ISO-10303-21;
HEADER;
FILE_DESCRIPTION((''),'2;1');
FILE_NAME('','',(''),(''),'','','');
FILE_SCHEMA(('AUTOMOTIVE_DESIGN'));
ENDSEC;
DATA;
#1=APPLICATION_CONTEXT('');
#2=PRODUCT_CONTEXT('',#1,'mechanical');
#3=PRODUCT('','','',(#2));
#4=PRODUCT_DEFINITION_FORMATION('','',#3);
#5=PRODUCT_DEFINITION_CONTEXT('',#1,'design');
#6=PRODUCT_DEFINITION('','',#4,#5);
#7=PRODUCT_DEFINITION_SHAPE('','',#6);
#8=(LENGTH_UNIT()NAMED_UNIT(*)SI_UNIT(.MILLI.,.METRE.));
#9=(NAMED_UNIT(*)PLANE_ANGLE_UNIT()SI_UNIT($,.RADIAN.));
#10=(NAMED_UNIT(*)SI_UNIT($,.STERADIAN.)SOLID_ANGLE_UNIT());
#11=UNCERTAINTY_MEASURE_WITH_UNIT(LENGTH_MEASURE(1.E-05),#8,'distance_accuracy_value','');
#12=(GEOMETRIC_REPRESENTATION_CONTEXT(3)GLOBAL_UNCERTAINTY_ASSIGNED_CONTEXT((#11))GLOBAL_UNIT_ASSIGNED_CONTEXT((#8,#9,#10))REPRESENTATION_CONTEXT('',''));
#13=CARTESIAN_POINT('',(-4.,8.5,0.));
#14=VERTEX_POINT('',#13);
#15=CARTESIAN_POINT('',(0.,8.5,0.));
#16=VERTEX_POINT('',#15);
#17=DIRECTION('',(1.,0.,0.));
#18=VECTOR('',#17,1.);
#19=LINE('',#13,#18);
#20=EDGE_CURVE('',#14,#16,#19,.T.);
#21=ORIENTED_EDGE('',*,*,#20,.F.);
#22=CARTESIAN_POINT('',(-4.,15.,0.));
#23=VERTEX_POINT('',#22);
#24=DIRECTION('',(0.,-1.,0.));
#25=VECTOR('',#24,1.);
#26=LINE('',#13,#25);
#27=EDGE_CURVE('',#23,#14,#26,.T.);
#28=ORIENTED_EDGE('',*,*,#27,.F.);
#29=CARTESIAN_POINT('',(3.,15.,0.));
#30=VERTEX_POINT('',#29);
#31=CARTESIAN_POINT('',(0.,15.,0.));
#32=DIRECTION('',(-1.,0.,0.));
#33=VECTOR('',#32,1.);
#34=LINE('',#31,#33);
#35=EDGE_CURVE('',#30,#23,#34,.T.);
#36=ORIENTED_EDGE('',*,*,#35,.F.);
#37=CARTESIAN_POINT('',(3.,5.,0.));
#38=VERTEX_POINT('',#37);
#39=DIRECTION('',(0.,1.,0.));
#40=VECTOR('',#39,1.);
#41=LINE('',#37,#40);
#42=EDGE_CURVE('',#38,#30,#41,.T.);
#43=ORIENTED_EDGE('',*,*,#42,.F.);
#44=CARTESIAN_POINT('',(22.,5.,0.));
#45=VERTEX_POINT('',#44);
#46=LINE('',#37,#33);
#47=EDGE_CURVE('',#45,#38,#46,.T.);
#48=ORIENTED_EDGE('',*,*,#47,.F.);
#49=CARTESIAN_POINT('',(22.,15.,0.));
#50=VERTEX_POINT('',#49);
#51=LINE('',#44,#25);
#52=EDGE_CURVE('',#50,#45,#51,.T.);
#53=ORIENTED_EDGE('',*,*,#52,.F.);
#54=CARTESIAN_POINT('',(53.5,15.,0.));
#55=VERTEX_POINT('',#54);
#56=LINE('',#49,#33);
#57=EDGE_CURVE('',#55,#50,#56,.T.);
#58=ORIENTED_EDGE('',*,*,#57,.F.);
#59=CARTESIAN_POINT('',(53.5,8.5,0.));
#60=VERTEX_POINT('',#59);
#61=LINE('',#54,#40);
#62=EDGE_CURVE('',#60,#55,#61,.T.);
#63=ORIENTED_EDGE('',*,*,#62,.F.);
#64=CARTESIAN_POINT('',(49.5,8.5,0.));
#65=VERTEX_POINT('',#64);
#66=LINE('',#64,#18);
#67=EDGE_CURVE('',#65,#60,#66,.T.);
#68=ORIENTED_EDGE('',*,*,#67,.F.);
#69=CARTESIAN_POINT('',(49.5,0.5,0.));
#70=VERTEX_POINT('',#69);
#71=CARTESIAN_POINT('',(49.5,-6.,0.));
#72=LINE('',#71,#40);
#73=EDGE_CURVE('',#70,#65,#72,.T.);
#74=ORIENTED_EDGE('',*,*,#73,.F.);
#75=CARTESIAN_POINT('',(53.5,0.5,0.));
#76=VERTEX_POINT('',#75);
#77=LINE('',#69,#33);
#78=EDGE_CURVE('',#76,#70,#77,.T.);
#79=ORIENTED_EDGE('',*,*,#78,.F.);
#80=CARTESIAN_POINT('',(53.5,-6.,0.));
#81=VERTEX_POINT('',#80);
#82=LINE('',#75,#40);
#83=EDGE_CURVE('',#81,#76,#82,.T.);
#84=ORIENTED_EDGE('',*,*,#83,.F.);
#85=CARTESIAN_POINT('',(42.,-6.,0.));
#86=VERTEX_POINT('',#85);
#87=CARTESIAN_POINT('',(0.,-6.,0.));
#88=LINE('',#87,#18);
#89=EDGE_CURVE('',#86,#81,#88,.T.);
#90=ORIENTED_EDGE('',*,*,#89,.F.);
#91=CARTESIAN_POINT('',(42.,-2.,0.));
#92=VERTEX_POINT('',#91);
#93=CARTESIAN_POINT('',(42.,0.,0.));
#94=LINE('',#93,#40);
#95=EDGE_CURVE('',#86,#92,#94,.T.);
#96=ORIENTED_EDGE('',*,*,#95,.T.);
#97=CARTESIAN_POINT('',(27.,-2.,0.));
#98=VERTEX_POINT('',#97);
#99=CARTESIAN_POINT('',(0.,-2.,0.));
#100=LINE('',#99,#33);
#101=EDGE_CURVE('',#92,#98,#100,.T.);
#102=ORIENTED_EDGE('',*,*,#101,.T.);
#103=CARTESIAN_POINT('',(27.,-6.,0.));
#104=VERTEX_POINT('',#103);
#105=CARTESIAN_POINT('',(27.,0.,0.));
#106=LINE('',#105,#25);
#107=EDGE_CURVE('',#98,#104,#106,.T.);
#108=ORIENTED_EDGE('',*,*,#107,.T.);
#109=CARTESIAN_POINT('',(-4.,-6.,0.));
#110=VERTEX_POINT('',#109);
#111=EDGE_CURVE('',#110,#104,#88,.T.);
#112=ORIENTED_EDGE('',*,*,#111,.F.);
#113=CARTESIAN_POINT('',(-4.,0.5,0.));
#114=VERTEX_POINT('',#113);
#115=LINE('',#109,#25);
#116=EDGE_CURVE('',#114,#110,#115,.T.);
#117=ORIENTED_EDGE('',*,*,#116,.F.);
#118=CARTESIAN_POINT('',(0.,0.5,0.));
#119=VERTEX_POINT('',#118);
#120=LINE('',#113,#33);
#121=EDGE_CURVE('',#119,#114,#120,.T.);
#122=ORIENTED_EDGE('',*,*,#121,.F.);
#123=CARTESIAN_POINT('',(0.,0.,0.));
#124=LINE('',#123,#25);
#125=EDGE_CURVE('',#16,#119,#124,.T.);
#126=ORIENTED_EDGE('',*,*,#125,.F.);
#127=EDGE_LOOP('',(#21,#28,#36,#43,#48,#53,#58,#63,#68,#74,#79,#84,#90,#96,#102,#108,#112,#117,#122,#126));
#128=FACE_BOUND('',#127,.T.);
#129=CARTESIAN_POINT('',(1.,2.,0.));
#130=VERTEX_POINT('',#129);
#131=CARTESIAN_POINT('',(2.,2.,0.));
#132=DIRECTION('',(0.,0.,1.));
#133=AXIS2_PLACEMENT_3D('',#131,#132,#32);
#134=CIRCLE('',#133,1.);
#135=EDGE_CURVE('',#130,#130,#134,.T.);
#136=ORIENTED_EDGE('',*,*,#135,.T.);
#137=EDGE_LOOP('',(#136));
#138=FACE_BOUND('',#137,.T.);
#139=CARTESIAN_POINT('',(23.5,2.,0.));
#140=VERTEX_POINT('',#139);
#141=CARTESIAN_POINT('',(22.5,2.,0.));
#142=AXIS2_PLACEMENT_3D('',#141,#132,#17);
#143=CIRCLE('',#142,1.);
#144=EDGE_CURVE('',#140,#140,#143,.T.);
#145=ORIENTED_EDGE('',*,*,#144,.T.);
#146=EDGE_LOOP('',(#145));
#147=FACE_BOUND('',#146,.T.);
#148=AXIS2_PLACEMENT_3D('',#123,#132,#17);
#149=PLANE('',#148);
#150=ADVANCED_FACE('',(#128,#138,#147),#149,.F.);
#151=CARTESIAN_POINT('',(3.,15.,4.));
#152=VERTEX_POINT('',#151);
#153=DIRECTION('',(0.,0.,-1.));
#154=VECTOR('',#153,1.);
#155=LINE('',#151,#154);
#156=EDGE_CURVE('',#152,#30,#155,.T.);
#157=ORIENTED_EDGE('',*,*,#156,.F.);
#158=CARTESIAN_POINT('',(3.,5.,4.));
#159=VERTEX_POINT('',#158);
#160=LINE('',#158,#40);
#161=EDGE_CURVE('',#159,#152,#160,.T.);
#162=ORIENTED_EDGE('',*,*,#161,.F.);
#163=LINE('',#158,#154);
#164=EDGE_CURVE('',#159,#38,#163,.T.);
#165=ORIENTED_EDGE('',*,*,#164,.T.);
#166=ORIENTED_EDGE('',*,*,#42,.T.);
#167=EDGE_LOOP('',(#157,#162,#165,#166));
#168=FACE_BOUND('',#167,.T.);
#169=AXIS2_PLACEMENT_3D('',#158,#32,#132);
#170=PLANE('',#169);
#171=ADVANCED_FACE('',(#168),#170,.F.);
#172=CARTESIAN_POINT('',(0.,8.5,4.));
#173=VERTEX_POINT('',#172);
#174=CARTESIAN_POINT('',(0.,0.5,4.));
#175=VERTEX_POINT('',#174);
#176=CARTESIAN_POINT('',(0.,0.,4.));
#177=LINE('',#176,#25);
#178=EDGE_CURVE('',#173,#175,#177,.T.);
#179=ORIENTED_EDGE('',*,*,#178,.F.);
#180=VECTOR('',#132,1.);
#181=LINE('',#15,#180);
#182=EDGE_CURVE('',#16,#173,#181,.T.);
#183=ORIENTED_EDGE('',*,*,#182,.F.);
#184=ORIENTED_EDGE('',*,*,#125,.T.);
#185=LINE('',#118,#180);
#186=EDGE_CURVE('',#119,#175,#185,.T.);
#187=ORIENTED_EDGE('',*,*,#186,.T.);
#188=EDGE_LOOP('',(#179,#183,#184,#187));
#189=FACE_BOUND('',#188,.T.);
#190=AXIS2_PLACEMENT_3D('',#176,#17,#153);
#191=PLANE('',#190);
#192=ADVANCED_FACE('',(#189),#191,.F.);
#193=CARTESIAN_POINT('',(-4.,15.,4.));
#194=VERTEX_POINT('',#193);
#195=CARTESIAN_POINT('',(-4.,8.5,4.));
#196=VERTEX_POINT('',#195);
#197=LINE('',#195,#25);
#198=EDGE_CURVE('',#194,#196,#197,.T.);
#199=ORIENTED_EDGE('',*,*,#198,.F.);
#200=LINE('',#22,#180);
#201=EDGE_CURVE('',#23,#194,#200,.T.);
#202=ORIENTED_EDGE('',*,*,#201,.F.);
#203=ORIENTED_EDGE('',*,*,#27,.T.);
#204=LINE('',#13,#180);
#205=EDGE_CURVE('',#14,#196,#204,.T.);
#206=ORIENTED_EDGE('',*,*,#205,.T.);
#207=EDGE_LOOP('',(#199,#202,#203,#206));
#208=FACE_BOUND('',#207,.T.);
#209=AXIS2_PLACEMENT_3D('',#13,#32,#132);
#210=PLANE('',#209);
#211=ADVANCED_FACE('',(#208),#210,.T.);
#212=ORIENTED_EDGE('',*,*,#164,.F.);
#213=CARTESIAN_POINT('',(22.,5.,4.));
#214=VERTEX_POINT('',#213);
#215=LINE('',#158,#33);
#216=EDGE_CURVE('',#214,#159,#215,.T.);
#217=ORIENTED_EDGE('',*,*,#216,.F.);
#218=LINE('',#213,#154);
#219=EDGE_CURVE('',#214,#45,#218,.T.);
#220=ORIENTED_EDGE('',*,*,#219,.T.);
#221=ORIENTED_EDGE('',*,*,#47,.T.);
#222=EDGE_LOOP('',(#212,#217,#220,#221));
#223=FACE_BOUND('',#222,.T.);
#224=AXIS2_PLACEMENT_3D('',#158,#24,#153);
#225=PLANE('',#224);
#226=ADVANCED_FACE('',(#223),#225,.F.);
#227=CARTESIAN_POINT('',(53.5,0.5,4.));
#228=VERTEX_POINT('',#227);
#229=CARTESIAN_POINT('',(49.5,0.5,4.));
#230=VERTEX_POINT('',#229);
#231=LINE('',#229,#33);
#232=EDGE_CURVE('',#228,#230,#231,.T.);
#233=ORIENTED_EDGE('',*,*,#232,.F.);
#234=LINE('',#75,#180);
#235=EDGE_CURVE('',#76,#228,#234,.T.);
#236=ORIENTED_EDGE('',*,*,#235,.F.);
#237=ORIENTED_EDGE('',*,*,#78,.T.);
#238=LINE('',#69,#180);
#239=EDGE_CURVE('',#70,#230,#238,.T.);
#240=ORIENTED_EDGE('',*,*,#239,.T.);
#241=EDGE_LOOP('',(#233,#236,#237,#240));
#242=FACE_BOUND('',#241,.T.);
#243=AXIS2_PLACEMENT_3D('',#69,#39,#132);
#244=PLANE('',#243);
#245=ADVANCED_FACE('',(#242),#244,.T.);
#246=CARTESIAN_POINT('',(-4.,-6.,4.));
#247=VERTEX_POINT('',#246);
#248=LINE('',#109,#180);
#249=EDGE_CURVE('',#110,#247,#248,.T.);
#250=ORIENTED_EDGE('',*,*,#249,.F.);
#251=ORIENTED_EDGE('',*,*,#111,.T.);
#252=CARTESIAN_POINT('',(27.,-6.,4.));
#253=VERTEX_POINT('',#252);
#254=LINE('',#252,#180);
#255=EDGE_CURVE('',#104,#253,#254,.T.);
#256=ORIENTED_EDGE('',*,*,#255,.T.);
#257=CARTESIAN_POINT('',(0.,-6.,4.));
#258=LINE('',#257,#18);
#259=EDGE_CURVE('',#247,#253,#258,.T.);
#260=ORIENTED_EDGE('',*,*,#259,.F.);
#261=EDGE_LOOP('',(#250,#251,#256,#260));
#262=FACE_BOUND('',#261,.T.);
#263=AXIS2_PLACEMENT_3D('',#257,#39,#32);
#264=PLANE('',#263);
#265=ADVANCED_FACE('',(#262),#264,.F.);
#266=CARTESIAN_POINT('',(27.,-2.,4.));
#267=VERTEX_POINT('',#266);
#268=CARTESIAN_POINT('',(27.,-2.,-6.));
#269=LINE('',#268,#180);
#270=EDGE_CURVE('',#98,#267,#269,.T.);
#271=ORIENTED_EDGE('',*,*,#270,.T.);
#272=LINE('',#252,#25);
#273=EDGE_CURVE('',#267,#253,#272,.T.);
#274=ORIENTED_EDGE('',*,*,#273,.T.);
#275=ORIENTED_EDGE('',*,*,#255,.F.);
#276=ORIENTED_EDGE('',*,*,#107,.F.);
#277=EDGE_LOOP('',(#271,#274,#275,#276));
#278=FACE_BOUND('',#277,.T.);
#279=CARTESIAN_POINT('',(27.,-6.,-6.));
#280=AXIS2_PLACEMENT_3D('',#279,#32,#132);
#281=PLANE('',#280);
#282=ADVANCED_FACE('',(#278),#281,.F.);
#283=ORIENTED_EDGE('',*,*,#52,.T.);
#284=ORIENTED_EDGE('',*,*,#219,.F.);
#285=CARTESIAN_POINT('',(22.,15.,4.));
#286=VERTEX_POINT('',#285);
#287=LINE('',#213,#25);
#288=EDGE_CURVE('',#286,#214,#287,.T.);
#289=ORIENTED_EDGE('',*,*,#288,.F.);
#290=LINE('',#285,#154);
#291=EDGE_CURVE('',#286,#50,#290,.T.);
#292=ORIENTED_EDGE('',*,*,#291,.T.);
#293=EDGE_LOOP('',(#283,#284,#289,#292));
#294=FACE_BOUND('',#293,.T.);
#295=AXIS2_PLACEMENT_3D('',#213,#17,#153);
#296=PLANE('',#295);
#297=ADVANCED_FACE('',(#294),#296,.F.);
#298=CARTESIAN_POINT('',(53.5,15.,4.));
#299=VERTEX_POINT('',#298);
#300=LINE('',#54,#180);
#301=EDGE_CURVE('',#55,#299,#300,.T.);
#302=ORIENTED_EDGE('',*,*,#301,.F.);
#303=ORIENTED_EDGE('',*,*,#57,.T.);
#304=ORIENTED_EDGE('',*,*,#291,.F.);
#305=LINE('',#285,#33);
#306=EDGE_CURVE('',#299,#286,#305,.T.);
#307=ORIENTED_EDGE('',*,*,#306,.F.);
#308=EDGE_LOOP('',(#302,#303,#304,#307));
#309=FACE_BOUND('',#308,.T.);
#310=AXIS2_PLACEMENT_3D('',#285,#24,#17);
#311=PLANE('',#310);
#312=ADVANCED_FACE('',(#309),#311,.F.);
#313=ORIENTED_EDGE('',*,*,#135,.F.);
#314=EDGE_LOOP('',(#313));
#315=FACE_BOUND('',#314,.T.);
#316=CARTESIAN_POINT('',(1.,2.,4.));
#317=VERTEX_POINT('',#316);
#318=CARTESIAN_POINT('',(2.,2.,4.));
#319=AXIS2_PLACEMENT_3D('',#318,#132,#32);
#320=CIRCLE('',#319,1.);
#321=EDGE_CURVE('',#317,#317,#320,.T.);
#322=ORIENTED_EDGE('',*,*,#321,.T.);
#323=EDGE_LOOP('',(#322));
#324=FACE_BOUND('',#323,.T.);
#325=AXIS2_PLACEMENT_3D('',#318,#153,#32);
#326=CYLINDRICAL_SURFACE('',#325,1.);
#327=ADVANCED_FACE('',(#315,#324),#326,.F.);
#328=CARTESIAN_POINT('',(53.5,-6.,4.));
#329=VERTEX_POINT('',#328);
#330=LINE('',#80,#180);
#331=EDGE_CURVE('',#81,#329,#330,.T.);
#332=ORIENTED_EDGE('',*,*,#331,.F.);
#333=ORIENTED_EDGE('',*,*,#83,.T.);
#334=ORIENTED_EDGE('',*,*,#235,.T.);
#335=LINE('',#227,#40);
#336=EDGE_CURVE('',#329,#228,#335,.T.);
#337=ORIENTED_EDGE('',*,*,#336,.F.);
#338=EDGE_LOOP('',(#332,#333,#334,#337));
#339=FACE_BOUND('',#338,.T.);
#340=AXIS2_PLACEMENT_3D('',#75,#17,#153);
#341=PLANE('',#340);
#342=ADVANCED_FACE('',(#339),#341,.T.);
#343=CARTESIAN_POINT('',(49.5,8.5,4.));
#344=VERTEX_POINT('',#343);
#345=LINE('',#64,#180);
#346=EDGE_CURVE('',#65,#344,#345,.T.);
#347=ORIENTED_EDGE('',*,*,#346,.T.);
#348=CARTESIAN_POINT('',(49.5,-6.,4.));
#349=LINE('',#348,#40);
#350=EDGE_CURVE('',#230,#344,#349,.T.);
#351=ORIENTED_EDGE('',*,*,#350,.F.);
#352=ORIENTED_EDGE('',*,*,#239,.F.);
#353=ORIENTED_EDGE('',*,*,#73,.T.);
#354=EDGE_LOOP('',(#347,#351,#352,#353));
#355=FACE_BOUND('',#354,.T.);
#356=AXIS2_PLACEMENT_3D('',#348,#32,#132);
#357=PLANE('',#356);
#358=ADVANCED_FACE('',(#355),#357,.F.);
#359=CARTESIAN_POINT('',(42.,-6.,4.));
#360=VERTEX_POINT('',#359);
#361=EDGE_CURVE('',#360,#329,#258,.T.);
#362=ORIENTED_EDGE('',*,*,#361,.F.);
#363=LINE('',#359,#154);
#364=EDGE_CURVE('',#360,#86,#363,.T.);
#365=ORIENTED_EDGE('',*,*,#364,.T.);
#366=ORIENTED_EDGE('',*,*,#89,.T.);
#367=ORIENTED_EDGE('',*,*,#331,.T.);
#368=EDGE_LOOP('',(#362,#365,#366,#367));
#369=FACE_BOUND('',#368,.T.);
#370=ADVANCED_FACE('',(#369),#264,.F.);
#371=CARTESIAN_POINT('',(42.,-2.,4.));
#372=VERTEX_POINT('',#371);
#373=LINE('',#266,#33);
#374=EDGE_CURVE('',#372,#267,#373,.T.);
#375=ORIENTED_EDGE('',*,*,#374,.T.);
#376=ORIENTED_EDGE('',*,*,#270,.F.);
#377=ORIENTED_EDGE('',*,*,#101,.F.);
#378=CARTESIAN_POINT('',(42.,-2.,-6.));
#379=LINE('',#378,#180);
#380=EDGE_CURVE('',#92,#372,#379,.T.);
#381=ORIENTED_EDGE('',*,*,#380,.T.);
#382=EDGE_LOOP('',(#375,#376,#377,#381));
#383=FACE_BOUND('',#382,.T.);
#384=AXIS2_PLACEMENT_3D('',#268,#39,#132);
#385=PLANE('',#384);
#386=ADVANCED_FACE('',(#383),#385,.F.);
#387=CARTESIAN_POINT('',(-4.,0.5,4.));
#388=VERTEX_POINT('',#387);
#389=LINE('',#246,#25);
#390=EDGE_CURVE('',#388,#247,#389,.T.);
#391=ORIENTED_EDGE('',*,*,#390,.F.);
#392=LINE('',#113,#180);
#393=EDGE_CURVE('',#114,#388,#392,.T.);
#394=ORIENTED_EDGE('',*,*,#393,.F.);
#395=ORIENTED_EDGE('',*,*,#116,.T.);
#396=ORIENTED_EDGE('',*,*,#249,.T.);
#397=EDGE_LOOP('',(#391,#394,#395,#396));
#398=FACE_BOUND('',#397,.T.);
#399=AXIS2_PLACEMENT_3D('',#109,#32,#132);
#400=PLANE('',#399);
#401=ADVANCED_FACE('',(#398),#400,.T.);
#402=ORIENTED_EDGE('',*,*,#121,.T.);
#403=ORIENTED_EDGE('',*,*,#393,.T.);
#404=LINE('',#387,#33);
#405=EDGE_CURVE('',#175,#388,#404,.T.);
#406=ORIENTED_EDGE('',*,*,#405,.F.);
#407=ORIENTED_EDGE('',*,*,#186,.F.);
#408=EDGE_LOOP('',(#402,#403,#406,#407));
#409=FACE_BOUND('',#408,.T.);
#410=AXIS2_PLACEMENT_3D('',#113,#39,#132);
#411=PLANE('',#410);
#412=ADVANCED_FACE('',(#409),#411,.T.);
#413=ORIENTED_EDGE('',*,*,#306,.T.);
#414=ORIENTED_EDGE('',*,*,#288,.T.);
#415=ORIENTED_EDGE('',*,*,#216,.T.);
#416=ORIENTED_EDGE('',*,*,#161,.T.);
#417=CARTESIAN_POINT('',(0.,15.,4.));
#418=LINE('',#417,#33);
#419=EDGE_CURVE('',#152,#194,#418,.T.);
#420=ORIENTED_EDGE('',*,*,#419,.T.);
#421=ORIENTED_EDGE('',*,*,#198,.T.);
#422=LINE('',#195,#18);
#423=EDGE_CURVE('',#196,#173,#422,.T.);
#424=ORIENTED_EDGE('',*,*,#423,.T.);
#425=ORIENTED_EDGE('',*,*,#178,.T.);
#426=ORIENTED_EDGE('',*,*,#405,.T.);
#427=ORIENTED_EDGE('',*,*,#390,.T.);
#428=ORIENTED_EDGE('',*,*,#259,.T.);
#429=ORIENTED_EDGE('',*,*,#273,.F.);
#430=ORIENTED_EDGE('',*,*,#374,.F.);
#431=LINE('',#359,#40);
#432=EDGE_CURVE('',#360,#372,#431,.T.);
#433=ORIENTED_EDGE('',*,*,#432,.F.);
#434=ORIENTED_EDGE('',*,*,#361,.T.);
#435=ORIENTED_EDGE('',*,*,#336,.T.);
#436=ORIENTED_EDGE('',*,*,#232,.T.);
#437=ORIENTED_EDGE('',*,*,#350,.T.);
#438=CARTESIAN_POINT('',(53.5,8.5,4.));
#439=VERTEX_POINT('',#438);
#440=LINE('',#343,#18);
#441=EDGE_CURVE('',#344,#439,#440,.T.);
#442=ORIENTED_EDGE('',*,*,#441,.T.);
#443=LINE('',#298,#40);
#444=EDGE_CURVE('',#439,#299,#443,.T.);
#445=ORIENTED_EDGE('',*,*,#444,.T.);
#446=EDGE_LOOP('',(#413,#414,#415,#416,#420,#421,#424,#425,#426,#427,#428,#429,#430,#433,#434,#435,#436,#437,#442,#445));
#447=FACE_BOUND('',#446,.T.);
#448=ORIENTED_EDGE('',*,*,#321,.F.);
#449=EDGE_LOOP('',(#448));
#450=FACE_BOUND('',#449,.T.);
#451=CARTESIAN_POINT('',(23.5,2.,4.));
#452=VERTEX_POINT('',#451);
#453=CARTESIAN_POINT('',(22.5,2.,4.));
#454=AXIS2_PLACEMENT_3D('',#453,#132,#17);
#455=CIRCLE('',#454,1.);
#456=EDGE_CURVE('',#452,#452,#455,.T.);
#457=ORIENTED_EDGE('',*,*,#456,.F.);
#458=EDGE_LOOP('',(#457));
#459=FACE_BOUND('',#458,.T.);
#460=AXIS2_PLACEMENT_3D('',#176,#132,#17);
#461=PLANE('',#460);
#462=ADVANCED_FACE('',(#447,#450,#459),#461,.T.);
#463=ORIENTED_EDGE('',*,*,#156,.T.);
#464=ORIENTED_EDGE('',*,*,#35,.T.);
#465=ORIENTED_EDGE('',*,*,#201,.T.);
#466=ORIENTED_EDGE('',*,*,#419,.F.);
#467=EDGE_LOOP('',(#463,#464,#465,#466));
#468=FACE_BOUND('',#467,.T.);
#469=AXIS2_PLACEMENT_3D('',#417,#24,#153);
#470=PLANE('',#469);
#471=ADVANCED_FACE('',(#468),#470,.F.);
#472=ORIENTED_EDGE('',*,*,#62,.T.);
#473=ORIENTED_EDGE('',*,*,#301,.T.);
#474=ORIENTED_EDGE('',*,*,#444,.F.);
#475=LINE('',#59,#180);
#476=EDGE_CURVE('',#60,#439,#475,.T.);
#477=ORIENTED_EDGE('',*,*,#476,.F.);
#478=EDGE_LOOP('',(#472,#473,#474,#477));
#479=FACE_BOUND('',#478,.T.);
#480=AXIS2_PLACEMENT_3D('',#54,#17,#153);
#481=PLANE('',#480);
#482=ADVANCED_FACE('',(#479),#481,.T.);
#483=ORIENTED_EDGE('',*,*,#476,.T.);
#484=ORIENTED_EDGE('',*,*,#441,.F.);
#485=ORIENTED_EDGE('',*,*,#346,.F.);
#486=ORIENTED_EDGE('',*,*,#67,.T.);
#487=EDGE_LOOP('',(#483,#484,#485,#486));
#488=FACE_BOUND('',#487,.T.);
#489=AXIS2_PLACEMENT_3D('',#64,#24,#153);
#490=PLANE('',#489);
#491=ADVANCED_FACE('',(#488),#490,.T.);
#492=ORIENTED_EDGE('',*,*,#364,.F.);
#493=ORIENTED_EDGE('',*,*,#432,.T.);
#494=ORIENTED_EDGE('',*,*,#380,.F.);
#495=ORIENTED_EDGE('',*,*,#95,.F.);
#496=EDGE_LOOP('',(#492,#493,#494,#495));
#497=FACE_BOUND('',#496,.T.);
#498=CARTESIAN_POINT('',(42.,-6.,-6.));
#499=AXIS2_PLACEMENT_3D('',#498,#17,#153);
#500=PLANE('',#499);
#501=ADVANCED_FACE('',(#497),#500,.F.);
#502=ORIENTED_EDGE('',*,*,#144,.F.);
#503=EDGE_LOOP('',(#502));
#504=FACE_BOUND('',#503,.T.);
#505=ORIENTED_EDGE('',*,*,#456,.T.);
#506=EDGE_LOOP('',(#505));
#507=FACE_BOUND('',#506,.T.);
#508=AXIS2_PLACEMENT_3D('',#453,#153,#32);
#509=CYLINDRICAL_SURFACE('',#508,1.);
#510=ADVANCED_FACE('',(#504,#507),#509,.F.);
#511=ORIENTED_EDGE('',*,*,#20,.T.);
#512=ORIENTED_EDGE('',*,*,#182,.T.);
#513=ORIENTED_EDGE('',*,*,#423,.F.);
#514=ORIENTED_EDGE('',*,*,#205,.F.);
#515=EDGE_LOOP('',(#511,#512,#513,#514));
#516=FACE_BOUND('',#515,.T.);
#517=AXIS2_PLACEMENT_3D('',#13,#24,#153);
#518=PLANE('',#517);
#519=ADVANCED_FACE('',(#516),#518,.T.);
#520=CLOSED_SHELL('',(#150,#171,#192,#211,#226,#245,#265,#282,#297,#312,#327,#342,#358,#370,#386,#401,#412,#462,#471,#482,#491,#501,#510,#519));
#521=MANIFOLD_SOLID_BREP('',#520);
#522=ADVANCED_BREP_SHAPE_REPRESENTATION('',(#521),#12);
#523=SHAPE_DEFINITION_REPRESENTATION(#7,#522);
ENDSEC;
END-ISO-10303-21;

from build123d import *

# Parameters (mm, degrees)
SKETCH_1_R          = 1
EXTRUDE_1_DEPTH     = 4
SKETCH_2_W          = 15
SKETCH_2_H          = 4
CUT_EXTRUDE_1_DEPTH = 10
SKETCH_3_W          = 4
SKETCH_3_H          = 6.5
EXTRUDE_2_DEPTH     = 4


with BuildPart() as part:
    # Эскиз1 → Бобышка-Вытянуть1 (new body)
    with BuildSketch(Plane.XY):
        Polygon((0, 0), (0, 15), (3, 15), (3, 5), (22, 5), (22, 15), (49.5, 15), (49.5, -6), (0, -6), align=None)
        with Locations((22.5, 2)):
            Circle(SKETCH_1_R, mode=Mode.SUBTRACT)
        with Locations(Location((2, 2, 0), (0, 0, 180))):
            Circle(SKETCH_1_R, mode=Mode.SUBTRACT)
    extrude(amount=EXTRUDE_1_DEPTH)

    # Эскиз2 → Вырез-Вытянуть1 (cut)
    with BuildSketch(Plane.XY.offset(4)):
        with Locations((34.5, -4)):
            Rectangle(SKETCH_2_W, SKETCH_2_H)
    extrude(amount=-CUT_EXTRUDE_1_DEPTH, mode=Mode.SUBTRACT)

    # Эскиз3 → Бобышка-Вытянуть2 (add)
    with BuildSketch(Plane.XY.offset(4)):
        with Locations((-2, -2.75)):
            Rectangle(SKETCH_3_W, SKETCH_3_H)
        with Locations((-2, 11.75)):
            Rectangle(SKETCH_3_W, SKETCH_3_H)
        with Locations((51.5, 11.75)):
            Rectangle(SKETCH_3_W, SKETCH_3_H)
        with Locations((51.5, -2.75)):
            Rectangle(SKETCH_3_W, SKETCH_3_H)
    extrude(amount=-EXTRUDE_2_DEPTH)


solid = part.part
